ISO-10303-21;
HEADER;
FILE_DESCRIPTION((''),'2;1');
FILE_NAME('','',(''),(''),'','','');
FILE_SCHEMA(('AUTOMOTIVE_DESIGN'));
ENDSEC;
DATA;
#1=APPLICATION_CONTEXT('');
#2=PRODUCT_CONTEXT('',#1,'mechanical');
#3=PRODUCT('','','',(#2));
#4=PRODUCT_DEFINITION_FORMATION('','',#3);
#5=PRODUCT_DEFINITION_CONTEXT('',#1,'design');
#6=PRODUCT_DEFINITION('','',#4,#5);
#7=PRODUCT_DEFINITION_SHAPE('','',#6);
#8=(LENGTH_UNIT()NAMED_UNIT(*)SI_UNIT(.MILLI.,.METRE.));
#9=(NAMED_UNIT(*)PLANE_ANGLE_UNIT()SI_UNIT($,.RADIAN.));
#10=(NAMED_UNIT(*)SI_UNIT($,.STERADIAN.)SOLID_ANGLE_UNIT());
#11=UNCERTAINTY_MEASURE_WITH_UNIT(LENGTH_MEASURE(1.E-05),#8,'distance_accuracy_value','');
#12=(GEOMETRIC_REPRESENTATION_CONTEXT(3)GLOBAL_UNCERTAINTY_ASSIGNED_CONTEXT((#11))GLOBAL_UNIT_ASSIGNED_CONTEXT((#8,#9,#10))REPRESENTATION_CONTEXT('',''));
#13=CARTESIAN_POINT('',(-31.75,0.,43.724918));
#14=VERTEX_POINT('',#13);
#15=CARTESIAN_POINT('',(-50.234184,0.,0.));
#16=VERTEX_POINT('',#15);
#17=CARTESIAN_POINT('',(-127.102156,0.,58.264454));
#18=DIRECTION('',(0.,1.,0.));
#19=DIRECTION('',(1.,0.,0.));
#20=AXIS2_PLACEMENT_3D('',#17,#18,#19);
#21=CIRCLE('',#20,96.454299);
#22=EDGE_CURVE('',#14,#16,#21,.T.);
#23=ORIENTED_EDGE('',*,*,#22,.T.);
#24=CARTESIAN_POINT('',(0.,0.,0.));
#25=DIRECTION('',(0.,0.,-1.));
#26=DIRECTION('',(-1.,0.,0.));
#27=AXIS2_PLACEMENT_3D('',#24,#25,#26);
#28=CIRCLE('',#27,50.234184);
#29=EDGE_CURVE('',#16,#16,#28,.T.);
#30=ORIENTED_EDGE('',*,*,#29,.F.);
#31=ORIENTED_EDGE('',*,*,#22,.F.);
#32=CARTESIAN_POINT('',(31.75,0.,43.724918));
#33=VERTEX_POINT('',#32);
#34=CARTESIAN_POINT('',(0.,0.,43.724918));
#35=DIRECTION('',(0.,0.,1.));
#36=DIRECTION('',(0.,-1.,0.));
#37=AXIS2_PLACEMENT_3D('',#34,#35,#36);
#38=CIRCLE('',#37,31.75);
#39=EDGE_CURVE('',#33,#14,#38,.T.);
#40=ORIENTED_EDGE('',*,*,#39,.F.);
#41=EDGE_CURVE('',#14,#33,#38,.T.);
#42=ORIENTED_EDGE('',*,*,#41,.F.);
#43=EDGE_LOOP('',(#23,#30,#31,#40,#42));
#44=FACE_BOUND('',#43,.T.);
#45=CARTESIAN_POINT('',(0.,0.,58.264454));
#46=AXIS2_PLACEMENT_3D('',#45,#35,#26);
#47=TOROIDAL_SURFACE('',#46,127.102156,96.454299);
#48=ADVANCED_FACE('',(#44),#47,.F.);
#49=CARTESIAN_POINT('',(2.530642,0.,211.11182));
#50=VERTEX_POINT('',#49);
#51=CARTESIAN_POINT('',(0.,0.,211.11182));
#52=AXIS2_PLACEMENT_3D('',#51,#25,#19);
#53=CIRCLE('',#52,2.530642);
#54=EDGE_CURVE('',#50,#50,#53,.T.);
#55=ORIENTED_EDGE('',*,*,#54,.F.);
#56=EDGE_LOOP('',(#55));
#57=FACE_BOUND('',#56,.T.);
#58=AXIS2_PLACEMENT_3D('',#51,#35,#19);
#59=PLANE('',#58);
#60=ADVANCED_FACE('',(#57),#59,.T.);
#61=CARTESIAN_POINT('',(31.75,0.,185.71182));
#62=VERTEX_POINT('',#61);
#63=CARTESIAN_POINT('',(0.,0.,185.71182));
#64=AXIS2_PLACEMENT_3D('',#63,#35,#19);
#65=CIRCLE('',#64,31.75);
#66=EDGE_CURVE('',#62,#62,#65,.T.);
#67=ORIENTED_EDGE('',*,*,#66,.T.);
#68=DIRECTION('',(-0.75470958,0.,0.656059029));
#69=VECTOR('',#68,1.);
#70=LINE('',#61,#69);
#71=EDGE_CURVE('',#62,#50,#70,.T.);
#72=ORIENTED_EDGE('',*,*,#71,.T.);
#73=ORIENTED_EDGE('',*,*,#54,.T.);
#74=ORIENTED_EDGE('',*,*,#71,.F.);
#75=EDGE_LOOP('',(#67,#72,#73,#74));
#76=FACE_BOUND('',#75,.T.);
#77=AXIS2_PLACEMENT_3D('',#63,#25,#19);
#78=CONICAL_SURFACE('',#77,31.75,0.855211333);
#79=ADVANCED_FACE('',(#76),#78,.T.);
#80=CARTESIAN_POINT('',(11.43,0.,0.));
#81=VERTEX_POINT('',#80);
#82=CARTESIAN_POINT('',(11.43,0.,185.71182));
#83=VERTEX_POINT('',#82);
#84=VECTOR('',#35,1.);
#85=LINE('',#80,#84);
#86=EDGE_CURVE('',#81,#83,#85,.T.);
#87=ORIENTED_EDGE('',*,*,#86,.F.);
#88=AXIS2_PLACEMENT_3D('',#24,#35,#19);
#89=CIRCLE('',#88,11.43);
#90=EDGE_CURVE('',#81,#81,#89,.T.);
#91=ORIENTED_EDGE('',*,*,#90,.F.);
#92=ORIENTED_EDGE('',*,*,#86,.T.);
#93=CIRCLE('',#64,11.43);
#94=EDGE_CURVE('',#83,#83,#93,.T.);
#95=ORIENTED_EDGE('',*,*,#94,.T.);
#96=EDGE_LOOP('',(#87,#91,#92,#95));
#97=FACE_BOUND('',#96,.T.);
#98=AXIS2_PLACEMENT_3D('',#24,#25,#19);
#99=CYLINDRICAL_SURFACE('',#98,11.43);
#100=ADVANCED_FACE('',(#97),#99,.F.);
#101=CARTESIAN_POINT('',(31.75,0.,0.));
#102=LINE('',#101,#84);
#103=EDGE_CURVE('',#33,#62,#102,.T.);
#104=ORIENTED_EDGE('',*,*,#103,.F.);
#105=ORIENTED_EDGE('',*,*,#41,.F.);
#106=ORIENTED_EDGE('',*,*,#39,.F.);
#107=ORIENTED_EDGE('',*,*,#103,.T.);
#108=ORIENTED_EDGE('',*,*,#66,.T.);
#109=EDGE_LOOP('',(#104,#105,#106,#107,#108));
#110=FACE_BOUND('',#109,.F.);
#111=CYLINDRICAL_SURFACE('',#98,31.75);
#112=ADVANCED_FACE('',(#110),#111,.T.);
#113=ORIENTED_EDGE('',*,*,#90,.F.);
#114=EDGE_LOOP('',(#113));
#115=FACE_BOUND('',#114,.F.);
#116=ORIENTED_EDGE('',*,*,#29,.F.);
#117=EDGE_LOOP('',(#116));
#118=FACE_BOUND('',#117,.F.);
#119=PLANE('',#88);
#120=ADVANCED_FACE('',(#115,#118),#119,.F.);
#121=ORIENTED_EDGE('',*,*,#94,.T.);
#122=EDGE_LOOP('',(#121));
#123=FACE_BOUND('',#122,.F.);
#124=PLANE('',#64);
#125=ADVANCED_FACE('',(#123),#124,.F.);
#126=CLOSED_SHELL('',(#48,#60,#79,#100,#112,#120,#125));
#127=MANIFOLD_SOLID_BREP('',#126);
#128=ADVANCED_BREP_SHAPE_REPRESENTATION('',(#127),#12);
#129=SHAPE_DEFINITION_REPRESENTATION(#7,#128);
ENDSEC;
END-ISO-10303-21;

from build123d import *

# Parameters (mm, degrees)
F0_R     = 31.75
F0_R_2   = 11.43
F1_DEPTH = 185.71182
F4_R     = 31.75
F5_DEPTH = 25.4
F5_TAPER = 49


with BuildPart() as f1:
    # F0 (on Top) → F1 (new body)
    with BuildSketch(Plane.XY):
        Circle(F0_R)
        Circle(F0_R_2, mode=Mode.SUBTRACT)
    extrude(amount=F1_DEPTH)

    # F2 (on Front) → F3 (revolve)
    with BuildSketch(Plane.XZ):
        with BuildLine():
            ThreePointArc((-30.6478571147, 58.2644540342), (-35.6754691099, 27.5302272186), (-50.2341836691, 0))
            Line((-50.2341836691, 0), (-30.6478571147, 0))
            Line((-30.6478571147, 0), (-30.6478571147, 58.2644540342))
        make_face()
    revolve(axis=Axis((0, 0, 38.0581654608), (0, 0, -1)))

    # F4 (on face) → F5 (join)
    with BuildSketch(Plane.XY.offset(185.71182)):
        Circle(F4_R)
    extrude(amount=F5_DEPTH, taper=F5_TAPER)


solid = f1.part
